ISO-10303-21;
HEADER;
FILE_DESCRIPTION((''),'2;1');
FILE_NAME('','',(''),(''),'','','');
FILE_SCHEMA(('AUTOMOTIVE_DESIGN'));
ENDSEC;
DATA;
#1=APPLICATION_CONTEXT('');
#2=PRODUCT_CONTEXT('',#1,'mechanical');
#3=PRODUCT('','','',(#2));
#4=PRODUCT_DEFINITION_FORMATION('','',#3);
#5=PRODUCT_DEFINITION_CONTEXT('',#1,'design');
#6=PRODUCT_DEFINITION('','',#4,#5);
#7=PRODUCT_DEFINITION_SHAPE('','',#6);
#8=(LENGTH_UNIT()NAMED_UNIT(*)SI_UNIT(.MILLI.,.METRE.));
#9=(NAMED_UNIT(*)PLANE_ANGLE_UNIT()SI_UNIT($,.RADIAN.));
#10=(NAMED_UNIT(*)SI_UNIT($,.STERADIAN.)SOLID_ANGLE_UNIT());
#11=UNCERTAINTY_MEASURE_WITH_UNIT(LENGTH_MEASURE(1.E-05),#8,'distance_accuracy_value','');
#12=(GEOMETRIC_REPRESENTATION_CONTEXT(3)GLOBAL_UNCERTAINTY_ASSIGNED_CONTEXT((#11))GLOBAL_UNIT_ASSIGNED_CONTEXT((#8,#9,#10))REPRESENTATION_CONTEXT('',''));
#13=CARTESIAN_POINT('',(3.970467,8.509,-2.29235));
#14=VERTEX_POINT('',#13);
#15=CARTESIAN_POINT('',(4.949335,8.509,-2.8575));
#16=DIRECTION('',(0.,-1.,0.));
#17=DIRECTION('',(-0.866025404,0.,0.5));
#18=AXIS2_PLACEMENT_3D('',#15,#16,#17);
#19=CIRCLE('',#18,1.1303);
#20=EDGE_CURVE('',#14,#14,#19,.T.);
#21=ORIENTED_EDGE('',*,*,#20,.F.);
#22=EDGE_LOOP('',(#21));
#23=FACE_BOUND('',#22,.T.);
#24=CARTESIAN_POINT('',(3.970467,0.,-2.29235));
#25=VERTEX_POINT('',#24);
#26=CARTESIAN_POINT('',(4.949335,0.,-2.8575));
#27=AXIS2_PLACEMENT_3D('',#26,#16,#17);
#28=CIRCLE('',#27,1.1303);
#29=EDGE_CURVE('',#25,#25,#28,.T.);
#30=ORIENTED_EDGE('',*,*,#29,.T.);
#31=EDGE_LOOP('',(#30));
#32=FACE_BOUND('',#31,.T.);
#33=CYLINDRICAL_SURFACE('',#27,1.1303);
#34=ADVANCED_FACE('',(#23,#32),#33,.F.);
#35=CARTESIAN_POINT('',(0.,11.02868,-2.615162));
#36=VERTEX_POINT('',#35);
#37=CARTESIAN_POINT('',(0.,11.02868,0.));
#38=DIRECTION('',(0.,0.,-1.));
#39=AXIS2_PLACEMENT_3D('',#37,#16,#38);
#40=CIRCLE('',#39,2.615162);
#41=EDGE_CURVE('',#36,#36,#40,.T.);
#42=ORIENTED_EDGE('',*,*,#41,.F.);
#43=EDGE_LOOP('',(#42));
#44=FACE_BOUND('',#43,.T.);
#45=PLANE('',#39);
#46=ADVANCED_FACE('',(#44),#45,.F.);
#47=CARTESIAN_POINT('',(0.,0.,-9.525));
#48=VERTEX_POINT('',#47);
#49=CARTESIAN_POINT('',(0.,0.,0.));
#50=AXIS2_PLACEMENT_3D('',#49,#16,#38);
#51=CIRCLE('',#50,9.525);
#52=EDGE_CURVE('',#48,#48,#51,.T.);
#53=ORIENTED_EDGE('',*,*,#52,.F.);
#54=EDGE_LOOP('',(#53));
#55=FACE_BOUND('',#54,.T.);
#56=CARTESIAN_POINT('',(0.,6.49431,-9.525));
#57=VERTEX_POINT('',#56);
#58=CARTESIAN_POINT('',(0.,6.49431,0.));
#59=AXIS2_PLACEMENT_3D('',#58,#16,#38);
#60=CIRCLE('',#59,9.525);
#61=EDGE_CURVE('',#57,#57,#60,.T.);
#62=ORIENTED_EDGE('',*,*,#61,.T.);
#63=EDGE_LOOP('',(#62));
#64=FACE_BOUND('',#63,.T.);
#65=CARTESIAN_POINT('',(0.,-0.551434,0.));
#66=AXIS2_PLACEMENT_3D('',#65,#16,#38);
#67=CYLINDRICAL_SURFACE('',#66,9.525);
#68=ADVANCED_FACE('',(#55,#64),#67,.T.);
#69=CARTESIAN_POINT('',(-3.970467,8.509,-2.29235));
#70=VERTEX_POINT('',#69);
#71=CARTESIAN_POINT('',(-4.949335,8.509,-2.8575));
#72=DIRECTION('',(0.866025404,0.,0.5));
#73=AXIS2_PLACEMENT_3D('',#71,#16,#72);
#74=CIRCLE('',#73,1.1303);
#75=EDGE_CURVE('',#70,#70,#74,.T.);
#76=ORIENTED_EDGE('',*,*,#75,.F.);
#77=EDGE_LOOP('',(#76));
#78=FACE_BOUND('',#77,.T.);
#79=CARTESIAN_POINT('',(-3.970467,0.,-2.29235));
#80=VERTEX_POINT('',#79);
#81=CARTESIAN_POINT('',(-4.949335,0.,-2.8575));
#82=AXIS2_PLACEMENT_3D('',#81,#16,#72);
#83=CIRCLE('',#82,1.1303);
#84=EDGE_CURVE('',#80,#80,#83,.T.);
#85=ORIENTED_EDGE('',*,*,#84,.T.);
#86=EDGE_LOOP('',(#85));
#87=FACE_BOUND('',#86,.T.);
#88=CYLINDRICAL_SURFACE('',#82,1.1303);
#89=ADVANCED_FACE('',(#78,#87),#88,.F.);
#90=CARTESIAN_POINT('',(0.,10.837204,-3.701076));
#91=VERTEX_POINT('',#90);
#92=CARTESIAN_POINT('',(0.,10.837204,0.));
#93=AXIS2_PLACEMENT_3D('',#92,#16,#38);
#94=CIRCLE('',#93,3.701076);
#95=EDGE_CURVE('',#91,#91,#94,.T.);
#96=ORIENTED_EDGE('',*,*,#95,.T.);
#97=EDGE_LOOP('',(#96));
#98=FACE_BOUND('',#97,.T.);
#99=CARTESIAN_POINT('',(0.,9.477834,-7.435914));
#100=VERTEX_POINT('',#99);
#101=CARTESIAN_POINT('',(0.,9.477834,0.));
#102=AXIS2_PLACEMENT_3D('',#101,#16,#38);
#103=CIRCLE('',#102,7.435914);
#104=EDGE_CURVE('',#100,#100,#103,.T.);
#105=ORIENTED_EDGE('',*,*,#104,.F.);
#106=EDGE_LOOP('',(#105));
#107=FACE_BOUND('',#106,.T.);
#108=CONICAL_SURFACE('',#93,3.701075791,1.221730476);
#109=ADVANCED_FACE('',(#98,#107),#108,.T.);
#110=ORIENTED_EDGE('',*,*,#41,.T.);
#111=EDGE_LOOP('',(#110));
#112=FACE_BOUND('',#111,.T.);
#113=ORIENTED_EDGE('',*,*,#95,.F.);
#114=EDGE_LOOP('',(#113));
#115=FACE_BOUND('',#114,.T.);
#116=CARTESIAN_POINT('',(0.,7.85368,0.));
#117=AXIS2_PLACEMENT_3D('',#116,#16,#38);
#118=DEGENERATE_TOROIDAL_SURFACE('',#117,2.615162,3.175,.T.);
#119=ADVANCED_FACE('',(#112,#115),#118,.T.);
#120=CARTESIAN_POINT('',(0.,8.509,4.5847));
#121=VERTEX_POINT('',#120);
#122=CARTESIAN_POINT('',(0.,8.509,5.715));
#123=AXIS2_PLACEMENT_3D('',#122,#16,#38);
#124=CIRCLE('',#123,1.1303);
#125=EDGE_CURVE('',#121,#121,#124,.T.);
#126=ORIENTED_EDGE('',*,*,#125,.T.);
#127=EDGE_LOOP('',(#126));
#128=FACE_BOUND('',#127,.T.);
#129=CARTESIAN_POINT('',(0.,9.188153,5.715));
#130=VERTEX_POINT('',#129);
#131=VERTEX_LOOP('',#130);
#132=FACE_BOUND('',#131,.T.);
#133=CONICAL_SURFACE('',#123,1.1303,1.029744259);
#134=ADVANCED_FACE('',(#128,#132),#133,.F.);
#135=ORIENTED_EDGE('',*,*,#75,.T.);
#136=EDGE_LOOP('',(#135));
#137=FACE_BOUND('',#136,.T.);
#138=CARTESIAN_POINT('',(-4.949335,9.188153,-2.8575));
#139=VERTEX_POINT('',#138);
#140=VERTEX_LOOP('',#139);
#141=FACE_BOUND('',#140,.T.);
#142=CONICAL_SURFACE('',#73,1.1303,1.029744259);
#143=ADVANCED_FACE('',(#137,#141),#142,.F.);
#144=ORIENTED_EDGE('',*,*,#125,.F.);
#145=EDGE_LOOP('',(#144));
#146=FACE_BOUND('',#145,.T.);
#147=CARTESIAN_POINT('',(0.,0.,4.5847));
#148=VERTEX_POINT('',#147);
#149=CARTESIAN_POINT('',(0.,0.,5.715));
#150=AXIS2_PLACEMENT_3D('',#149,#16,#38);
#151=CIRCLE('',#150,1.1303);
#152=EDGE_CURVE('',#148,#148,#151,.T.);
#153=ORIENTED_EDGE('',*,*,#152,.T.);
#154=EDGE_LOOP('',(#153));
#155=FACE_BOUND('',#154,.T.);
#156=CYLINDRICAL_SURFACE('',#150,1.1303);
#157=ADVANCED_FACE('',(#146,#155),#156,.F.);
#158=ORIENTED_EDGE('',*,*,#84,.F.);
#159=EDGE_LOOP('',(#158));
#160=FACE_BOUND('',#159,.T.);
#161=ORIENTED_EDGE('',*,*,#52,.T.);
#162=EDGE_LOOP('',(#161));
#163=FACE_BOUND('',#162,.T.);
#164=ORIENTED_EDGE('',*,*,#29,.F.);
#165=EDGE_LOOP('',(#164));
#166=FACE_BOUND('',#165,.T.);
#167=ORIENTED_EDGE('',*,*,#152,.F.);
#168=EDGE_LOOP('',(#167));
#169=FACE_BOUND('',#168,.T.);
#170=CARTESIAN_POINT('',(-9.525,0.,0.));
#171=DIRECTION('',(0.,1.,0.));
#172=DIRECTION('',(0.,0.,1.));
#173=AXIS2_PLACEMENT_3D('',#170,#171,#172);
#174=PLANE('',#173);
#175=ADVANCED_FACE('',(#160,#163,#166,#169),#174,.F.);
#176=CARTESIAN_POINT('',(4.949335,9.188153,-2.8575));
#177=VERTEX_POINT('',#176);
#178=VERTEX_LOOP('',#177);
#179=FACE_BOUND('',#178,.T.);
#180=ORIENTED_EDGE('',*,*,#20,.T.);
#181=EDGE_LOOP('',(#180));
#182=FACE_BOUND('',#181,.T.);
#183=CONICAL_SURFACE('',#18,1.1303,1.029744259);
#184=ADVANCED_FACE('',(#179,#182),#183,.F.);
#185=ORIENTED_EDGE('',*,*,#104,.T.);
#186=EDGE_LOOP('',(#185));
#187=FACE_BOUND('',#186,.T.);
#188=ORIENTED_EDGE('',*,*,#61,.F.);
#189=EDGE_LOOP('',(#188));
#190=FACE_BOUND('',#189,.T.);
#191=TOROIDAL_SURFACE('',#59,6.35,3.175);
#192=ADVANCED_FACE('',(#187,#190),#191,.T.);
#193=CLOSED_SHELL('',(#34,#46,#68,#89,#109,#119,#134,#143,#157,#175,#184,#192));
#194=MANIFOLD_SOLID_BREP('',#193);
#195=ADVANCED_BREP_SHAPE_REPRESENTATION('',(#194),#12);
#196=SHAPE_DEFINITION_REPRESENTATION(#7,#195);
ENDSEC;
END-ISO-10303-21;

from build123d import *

# Parameters (mm, degrees)
CIRPATTERN1_COUNT = 3


with BuildPart() as part:
    # Sketch1 → Revolve1 (revolve)
    with BuildSketch(Plane.XY):
        with BuildLine():
            Line((-9.525, 6.494310079), (-9.525, 0))
            Line((-9.525, 0), (0, 0))
            Line((0, 0), (0, 11.02868))
            Line((0, 11.02868), (-2.615161836, 11.02868))
            ThreePointArc((-2.615161836, 11.02868), (-3.1664948, 10.980444616), (-3.701075791, 10.837204071))
            Line((-3.701075791, 10.837204071), (-7.435913955, 9.47783415))
            ThreePointArc((-7.435913955, 9.47783415), (-8.950807741, 8.315415264), (-9.525, 6.494310079))
        make_face()
    revolve(axis=Axis((0, -0.551434, 0), (0, 1, 0)))

    # Sketch2 → #4-40 Tapped Hole1 (revolve, cut)
    with BuildSketch(Plane(origin=(0, 0, 5.715), x_dir=(0, 0, -1), z_dir=(1, 0, 0))):
        Polygon((0, 0), (0, 9.188152758), (1.1303, 8.509), (1.1303, 0), align=None)
    f_4_40_tapped_hole1 = revolve(axis=Axis((0, -6.35, 5.715), (0, 1, 0)), mode=Mode.SUBTRACT)

    # CirPattern1: #4-40 Tapped Hole1 ×3 about axis
    cirpattern1_axis = Axis((0, 0, 0), (0, 1, 0))
    for i in range(1, CIRPATTERN1_COUNT):
        add(f_4_40_tapped_hole1.rotate(cirpattern1_axis, i * 360 / CIRPATTERN1_COUNT), mode=Mode.SUBTRACT)


solid = part.part
